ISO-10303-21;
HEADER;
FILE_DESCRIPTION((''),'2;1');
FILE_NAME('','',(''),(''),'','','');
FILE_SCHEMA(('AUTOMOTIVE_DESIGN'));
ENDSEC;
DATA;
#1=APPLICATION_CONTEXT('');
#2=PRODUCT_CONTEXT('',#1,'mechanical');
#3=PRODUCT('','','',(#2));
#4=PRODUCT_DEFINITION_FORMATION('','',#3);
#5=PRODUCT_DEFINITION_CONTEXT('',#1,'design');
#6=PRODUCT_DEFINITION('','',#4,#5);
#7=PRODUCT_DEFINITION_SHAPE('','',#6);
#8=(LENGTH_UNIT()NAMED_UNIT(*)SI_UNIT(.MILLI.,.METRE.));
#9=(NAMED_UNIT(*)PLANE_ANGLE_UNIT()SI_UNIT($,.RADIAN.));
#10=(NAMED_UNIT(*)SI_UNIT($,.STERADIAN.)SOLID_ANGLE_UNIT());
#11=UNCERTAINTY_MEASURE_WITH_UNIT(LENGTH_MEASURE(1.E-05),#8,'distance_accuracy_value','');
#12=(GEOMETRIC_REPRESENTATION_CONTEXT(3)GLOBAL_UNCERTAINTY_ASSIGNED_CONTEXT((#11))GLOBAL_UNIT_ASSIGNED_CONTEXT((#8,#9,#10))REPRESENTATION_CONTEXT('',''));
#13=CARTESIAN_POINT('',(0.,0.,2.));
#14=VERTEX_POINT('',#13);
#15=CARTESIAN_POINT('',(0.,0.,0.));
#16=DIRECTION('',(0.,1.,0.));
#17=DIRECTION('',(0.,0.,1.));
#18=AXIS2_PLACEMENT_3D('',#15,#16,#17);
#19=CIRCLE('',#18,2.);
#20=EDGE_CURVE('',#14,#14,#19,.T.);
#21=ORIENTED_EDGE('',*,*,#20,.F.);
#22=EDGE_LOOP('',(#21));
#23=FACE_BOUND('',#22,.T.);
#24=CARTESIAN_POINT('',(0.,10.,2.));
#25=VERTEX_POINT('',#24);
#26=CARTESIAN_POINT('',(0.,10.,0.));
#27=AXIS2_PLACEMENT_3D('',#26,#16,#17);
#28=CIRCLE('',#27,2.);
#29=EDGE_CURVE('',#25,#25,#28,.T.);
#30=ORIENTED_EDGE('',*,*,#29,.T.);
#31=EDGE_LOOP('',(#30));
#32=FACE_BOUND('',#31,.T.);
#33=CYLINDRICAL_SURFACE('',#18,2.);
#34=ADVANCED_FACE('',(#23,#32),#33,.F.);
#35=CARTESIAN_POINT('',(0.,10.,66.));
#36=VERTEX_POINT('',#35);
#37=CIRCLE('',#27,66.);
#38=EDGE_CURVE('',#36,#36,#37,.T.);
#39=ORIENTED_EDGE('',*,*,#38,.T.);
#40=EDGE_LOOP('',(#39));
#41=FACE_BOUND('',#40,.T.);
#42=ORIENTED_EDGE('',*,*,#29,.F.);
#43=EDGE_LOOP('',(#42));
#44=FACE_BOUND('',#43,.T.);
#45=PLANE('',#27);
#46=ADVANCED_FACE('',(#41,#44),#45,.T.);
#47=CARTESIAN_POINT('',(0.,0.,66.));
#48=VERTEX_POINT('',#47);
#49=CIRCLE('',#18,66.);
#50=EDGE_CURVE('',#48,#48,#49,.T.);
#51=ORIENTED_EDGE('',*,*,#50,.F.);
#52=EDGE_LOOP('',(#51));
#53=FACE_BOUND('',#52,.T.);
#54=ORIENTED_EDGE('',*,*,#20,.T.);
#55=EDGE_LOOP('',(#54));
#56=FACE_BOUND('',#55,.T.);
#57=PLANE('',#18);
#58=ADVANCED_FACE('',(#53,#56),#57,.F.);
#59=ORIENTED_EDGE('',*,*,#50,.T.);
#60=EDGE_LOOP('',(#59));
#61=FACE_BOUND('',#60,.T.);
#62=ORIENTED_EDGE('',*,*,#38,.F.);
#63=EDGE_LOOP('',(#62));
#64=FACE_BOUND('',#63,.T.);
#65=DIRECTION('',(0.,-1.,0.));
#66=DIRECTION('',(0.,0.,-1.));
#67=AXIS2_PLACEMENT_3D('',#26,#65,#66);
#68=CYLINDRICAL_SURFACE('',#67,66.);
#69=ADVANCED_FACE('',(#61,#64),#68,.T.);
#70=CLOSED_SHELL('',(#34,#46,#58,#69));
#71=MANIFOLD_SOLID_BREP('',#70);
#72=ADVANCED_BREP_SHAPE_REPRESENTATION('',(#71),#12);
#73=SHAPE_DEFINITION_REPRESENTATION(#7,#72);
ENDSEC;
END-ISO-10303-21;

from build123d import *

# Parameters (mm, degrees)
SKETCH1_R           = 66
BOSS_EXTRUDE1_DEPTH = 10
SKETCH2_R           = 2
CUT_EXTRUDE1_DEPTH  = 10


with BuildPart() as part:
    # Sketch1 → Boss-Extrude1 (new body)
    with BuildSketch(Plane(origin=(0, 0, 0), x_dir=(1, 0, 0), z_dir=(0, 1, 0))):
        with Locations(Location((0, 0, 0), (0, 0, 270))):
            Circle(SKETCH1_R)
    extrude(amount=BOSS_EXTRUDE1_DEPTH)

    # Sketch2 → Cut-Extrude1 (cut)
    with BuildSketch(Plane(origin=(0, 10, 0), x_dir=(1, 0, 0), z_dir=(0, 1, 0))):
        with Locations(Location((0, 0, 0), (0, 0, 270))):
            Circle(SKETCH2_R)
    extrude(amount=-CUT_EXTRUDE1_DEPTH, mode=Mode.SUBTRACT)


solid = part.part
